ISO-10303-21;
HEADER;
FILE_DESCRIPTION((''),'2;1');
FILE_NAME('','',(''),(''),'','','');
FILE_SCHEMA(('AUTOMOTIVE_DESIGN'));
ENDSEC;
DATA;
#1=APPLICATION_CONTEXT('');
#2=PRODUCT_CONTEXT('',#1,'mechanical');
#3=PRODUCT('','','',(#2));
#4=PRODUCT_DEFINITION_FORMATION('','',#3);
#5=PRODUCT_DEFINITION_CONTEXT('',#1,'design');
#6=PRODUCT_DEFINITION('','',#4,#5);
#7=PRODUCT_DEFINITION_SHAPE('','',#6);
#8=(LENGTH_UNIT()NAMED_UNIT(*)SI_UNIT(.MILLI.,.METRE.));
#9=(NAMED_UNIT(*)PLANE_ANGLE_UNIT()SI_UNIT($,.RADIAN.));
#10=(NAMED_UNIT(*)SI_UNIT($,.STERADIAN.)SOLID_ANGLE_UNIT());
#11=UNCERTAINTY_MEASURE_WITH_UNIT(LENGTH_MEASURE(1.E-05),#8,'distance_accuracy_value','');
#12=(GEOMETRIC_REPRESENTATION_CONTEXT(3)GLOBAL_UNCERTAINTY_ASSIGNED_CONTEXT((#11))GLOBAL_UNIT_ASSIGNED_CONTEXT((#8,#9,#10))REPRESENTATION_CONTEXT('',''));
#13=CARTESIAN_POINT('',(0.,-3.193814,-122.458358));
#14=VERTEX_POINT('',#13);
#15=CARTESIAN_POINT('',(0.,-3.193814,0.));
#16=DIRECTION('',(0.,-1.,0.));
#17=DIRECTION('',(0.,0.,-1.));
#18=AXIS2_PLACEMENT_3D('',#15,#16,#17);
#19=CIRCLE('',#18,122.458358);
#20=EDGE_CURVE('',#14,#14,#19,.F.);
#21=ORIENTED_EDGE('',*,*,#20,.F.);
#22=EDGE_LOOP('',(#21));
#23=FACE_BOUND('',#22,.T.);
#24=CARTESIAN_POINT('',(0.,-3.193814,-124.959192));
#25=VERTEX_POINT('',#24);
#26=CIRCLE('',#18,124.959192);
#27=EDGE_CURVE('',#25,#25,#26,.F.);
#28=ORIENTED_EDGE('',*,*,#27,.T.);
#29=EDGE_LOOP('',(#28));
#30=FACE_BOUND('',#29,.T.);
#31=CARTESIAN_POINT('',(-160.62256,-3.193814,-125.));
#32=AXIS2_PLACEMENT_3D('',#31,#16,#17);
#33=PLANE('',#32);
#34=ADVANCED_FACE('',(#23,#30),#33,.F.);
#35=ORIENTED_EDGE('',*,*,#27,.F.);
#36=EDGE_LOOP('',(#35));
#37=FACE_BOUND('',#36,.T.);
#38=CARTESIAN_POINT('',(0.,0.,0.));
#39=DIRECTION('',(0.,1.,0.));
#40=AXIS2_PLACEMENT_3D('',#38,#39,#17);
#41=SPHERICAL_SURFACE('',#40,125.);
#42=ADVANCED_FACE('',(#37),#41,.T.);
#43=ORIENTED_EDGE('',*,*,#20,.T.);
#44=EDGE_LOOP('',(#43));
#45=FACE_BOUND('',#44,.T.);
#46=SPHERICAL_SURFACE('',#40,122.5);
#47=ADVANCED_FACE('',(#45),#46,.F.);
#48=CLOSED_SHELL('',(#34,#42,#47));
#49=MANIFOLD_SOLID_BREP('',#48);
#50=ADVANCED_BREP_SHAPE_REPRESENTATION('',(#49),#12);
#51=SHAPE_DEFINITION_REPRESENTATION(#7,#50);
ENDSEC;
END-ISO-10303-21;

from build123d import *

# Parameters (mm, degrees)
SKETCH2_W               = 329.482175278
SKETCH2_H               = 165.618230588
CUT_EXTRUDE1_DEPTH      = 126
CUT_EXTRUDE1_DEPTH_BACK = 126


with BuildPart() as part:
    # Sketch1 one side → Revolve1 (revolve)
    with BuildSketch(Plane(origin=(0, 0, 0), x_dir=(0, 0, -1), z_dir=(1, 0, 0))):
        with BuildLine():
            ThreePointArc((0, -125), (88.388347648, -88.388347648), (125, 0))
            ThreePointArc((125, 0), (88.388347648, 88.388347648), (0, 125))
            Line((0, 125), (0, 122.5))
            ThreePointArc((0, 122.5), (86.620580695, 86.620580695), (122.5, 0))
            ThreePointArc((122.5, 0), (86.620580695, -86.620580695), (0, -122.5))
            Line((0, -122.5), (0, -125))
        make_face()
    revolve(axis=Axis((0, 125, 0), (0, -1, 0)))

    # Sketch2 → Cut-Extrude1 (cut, two sides)
    with BuildSketch(Plane.XY) as cut_extrude1_sk:
        with Locations((4.118527191, 79.6153008)):
            Rectangle(SKETCH2_W, SKETCH2_H)
    extrude(amount=CUT_EXTRUDE1_DEPTH, mode=Mode.SUBTRACT)
    extrude(cut_extrude1_sk.sketch, amount=-CUT_EXTRUDE1_DEPTH_BACK, mode=Mode.SUBTRACT)


solid = part.part
